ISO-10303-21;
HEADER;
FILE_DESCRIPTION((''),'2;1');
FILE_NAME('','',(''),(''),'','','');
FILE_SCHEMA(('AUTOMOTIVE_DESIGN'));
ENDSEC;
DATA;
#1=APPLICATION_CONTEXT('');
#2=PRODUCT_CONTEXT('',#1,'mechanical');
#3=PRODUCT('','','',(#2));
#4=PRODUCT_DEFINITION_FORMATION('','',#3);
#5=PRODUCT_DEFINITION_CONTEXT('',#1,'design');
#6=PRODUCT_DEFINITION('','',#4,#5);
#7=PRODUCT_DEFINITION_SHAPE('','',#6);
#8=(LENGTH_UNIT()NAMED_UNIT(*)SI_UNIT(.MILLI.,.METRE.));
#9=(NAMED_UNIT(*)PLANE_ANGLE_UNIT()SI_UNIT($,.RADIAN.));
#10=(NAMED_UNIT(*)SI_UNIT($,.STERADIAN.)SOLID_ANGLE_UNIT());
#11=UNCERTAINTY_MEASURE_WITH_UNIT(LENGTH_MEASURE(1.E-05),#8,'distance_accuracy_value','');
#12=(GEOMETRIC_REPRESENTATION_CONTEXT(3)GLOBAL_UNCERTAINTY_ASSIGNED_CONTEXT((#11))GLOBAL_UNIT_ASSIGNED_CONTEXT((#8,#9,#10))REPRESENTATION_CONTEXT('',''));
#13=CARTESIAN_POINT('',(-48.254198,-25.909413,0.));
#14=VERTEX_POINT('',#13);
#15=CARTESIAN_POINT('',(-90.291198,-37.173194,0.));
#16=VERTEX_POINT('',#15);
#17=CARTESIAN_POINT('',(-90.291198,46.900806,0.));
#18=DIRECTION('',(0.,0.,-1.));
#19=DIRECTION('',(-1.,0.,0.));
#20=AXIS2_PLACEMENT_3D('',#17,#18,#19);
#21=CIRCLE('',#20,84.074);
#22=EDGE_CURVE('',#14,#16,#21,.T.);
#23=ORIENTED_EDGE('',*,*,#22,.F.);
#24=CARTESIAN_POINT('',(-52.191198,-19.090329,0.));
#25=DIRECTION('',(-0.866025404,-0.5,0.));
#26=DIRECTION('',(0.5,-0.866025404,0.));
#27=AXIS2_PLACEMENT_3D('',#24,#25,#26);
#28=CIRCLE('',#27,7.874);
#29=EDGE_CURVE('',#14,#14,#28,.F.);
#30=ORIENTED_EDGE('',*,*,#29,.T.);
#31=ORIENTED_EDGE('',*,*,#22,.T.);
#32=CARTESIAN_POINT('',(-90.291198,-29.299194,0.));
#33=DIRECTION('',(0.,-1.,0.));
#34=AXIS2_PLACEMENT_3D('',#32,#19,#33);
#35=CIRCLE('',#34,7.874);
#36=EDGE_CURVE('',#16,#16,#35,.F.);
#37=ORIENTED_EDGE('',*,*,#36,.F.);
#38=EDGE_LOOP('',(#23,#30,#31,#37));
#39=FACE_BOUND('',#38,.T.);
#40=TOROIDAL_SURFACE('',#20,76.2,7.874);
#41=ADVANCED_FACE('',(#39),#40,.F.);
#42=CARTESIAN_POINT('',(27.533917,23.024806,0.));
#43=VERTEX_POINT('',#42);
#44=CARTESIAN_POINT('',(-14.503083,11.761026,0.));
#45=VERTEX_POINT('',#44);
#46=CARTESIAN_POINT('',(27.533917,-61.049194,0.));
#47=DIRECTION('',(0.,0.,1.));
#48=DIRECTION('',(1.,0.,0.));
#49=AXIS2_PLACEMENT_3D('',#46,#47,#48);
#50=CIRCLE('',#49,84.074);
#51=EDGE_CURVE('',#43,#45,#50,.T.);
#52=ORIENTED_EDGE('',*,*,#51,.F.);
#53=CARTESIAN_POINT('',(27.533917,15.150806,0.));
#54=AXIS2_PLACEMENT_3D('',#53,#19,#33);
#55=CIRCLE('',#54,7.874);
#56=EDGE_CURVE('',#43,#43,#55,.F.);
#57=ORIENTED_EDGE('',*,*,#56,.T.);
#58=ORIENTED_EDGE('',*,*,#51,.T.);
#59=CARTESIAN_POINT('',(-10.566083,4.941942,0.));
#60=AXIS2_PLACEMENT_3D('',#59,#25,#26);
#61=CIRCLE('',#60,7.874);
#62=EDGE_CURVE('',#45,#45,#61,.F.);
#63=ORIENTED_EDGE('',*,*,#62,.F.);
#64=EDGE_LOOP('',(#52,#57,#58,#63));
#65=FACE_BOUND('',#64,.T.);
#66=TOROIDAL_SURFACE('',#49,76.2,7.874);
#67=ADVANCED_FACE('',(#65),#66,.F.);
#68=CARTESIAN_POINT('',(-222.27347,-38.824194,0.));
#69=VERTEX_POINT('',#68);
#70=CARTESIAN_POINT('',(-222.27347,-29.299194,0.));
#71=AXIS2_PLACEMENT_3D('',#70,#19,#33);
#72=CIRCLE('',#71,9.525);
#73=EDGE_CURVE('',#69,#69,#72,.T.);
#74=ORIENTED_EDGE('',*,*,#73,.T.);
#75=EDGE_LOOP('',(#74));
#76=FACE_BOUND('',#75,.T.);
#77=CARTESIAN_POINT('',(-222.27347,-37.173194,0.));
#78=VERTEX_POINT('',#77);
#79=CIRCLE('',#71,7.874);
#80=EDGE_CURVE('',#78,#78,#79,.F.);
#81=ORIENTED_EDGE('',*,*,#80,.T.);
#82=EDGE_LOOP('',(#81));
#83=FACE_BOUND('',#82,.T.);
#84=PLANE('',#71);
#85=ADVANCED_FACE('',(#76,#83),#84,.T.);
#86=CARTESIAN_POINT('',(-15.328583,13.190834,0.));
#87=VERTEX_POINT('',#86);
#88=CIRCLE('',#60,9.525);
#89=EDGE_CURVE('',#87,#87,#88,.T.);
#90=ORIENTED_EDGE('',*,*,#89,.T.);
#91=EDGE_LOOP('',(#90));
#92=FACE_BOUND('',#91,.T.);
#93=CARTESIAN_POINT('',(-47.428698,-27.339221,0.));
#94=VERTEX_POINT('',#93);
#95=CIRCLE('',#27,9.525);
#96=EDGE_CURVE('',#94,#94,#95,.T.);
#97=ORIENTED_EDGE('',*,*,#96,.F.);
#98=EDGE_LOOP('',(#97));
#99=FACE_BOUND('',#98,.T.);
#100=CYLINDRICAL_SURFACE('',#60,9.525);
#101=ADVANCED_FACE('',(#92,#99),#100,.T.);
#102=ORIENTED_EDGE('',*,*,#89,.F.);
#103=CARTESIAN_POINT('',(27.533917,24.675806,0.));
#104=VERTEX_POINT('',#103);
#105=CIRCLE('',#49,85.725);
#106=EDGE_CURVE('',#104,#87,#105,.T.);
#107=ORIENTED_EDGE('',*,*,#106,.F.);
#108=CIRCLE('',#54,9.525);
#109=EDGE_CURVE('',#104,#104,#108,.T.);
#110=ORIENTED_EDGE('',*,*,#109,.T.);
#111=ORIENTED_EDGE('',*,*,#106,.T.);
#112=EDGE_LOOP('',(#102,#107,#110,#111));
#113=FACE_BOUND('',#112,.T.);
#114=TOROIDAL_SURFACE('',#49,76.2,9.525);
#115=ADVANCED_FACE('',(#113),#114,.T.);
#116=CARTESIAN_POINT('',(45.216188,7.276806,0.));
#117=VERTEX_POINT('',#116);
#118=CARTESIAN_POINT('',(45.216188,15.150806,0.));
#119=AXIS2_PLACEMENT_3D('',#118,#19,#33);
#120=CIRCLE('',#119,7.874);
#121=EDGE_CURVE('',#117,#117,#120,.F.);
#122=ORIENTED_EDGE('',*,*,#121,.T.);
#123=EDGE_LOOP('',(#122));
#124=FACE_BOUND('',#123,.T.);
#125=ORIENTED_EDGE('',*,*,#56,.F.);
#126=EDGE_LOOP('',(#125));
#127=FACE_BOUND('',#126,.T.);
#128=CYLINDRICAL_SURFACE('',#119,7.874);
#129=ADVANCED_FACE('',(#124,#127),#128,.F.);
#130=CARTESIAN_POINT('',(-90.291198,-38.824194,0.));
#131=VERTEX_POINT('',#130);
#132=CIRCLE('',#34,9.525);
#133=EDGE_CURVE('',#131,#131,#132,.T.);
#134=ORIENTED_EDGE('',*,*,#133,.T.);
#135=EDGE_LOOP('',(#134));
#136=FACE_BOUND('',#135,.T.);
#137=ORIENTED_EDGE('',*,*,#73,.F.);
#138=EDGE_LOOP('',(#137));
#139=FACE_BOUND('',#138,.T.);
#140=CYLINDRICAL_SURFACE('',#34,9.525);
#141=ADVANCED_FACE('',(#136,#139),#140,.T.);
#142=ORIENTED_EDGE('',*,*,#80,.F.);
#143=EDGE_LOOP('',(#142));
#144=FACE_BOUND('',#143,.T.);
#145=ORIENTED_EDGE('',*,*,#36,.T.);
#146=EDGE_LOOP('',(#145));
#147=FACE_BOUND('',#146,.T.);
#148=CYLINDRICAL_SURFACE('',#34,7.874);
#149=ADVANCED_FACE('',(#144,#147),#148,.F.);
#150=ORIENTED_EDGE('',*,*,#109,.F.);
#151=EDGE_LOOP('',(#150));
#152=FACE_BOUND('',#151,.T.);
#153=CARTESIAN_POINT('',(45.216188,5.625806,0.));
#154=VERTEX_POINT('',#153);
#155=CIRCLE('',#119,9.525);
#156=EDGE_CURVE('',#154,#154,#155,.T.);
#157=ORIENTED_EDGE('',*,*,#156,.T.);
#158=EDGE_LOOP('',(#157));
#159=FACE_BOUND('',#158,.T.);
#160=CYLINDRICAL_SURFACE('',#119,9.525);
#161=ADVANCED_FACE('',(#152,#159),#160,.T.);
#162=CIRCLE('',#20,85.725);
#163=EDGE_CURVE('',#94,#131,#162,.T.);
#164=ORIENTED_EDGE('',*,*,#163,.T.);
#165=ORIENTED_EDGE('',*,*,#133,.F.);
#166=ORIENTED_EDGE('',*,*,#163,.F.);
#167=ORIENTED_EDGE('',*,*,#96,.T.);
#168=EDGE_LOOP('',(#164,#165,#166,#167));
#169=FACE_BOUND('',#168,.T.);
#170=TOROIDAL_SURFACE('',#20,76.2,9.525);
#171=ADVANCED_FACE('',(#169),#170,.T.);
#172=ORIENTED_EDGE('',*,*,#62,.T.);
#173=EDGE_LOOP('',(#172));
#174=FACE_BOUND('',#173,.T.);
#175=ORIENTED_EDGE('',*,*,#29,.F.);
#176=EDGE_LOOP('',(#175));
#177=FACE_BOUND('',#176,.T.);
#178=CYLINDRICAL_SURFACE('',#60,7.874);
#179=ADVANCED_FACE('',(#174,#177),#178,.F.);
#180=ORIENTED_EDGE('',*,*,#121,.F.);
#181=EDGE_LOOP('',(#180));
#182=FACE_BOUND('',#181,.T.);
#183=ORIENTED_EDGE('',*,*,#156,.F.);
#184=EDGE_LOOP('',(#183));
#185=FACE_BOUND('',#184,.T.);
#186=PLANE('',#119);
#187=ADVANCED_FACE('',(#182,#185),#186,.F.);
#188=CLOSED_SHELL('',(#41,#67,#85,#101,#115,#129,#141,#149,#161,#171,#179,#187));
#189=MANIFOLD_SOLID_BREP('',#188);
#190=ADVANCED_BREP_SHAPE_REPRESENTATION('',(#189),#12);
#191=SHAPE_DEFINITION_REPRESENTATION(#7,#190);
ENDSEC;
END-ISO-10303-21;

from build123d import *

# Parameters (mm, degrees)
SKETCH5_R   = 9.525
SKETCH5_R_2 = 7.874


with BuildPart() as part:
    # Sweep1: sweep along a path in Sketch4
    with BuildLine(Plane.XY) as sweep1_path:
        Line((45.216188471, 15.150806357), (27.533916935, 15.150806357))
        ThreePointArc((27.533916935, 15.150806357), (7.811905698, 12.55435432), (-10.566083065, 4.941942125))
        Line((-10.566083065, 4.941942125), (-52.191198388, -19.090329412))
        ThreePointArc((-52.191198388, -19.090329412), (-70.569187152, -26.702741607), (-90.291198388, -29.299193643))
        Line((-90.291198388, -29.299193643), (-222.273469925, -29.299193643))
    # Sketch5 → Sweep1 (sweep)
    with BuildSketch(Plane(origin=(45.216188471, 15.150806357, 0), x_dir=(0, 0, 1), z_dir=(-1, 0, 0))):
        Circle(SKETCH5_R)
        Circle(SKETCH5_R_2, mode=Mode.SUBTRACT)
    sweep(path=sweep1_path.line)


solid = part.part
